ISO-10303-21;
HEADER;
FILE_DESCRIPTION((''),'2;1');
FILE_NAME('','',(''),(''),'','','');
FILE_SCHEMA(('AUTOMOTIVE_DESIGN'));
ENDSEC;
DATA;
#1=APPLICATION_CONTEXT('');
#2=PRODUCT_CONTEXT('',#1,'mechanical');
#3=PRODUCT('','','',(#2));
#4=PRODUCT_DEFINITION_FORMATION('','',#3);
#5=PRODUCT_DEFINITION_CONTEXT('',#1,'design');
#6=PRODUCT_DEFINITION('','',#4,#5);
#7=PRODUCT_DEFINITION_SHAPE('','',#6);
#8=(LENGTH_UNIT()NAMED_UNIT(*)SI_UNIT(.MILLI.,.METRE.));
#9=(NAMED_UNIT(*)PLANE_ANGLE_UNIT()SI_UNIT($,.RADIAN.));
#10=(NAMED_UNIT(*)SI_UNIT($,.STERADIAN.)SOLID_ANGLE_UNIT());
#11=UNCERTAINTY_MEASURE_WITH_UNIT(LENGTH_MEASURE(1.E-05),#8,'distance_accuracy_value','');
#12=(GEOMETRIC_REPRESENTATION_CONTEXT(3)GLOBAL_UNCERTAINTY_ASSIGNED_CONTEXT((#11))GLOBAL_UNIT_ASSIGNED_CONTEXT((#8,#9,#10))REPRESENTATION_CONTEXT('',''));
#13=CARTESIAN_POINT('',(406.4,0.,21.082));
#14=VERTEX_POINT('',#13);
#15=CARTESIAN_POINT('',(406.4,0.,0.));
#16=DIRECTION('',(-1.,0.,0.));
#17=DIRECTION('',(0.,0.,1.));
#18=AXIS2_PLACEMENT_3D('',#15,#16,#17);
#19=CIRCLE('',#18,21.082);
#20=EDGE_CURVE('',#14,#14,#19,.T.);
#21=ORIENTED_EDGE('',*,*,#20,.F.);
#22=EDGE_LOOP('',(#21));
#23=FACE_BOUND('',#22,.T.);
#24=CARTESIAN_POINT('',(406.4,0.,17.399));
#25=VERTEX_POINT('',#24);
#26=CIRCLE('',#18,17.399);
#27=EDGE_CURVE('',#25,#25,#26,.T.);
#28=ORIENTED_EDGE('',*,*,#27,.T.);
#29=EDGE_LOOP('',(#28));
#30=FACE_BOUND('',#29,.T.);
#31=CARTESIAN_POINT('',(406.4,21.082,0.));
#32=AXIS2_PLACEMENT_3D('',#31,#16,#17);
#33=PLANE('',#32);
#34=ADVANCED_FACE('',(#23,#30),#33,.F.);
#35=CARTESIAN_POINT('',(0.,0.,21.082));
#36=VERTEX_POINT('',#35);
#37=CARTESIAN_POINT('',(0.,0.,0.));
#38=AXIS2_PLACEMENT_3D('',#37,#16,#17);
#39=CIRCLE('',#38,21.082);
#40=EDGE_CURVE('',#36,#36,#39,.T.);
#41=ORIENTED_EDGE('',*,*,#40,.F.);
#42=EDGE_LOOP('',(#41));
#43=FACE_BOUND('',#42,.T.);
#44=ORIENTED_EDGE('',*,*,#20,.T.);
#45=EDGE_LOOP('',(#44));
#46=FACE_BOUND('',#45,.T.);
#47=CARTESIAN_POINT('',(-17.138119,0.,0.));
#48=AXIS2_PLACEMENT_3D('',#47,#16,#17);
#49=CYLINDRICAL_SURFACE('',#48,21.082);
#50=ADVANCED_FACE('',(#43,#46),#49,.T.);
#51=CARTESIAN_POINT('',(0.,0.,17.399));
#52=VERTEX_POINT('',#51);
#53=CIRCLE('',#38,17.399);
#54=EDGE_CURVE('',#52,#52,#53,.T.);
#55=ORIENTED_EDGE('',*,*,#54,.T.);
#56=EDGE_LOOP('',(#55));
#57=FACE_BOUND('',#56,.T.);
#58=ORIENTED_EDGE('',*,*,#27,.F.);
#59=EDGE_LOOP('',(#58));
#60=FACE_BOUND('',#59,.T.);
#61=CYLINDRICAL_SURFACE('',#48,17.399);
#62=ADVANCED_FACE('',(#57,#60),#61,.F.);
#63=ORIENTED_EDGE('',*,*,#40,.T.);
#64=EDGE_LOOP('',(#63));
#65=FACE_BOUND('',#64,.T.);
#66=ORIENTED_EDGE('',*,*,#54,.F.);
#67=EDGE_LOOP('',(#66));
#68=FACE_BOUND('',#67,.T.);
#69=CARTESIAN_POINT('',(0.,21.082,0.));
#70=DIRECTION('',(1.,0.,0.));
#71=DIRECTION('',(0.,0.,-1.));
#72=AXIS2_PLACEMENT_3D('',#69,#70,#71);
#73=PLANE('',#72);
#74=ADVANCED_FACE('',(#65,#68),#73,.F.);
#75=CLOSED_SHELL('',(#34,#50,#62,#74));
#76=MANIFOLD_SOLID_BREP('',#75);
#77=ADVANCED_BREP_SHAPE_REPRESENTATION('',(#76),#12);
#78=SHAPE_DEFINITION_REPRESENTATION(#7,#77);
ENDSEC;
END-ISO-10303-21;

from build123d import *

# Parameters (mm, degrees)
SKETCH1_W = 406.4
SKETCH1_H = 3.683


with BuildPart() as part:
    # Sketch1 → Revolve1 (revolve)
    with BuildSketch(Plane.XY):
        with Locations((203.2, 19.2405)):
            Rectangle(SKETCH1_W, SKETCH1_H)
    revolve(axis=Axis((-17.138118992, 0, 0), (1, 0, 0)))


solid = part.part
